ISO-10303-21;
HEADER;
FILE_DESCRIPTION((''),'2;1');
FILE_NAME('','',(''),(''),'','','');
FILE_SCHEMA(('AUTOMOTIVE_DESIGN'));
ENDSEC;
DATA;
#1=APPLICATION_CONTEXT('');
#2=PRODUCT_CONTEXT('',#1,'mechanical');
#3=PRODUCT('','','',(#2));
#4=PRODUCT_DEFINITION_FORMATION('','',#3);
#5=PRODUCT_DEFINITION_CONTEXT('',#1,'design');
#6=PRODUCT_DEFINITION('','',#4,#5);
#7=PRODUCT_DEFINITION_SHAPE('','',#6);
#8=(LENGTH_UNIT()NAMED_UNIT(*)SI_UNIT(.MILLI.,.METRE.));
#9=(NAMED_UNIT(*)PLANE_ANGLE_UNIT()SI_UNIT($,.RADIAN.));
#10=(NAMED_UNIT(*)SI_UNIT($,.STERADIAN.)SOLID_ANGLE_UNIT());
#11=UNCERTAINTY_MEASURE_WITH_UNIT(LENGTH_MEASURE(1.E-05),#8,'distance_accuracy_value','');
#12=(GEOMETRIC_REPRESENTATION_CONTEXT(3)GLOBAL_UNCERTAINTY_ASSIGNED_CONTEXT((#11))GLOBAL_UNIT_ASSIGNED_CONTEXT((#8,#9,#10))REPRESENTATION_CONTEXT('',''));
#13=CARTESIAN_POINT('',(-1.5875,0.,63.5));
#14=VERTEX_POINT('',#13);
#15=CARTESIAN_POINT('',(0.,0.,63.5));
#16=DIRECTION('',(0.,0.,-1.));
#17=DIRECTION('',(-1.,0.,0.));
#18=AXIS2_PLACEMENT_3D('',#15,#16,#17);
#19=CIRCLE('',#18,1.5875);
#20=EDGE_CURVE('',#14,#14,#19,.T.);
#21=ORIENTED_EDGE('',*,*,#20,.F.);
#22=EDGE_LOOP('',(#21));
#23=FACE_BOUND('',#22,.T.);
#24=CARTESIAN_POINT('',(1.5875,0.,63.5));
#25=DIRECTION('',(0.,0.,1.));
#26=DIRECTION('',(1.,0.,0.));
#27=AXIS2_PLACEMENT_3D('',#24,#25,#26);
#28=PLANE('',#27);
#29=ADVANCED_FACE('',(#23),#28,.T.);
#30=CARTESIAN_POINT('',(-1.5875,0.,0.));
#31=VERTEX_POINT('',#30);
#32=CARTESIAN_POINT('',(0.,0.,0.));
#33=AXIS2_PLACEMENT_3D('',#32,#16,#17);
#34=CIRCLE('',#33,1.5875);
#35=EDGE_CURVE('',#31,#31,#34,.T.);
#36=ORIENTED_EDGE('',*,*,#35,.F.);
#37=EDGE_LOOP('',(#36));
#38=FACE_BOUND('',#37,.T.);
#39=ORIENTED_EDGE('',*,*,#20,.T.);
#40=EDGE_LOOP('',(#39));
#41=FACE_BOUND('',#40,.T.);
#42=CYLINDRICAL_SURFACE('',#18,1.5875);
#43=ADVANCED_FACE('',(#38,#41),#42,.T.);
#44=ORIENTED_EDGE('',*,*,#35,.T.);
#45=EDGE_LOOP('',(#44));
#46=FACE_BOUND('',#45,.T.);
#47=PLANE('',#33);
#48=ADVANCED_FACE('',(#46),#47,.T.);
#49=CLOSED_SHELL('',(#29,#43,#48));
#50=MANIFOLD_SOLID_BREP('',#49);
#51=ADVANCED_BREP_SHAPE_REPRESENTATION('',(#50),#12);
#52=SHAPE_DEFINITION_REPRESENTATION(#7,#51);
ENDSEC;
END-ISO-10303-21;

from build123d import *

# Parameters (mm, degrees)
SKETCH1_W = 1.5875
SKETCH1_H = 63.5


with BuildPart() as part:
    # Sketch1 → Revolve1 (revolve)
    with BuildSketch(Plane.XZ):
        with Locations((0.79375, 31.75)):
            Rectangle(SKETCH1_W, SKETCH1_H)
    revolve(axis=Axis((0, 0, 63.5), (0, 0, -1)))


solid = part.part
